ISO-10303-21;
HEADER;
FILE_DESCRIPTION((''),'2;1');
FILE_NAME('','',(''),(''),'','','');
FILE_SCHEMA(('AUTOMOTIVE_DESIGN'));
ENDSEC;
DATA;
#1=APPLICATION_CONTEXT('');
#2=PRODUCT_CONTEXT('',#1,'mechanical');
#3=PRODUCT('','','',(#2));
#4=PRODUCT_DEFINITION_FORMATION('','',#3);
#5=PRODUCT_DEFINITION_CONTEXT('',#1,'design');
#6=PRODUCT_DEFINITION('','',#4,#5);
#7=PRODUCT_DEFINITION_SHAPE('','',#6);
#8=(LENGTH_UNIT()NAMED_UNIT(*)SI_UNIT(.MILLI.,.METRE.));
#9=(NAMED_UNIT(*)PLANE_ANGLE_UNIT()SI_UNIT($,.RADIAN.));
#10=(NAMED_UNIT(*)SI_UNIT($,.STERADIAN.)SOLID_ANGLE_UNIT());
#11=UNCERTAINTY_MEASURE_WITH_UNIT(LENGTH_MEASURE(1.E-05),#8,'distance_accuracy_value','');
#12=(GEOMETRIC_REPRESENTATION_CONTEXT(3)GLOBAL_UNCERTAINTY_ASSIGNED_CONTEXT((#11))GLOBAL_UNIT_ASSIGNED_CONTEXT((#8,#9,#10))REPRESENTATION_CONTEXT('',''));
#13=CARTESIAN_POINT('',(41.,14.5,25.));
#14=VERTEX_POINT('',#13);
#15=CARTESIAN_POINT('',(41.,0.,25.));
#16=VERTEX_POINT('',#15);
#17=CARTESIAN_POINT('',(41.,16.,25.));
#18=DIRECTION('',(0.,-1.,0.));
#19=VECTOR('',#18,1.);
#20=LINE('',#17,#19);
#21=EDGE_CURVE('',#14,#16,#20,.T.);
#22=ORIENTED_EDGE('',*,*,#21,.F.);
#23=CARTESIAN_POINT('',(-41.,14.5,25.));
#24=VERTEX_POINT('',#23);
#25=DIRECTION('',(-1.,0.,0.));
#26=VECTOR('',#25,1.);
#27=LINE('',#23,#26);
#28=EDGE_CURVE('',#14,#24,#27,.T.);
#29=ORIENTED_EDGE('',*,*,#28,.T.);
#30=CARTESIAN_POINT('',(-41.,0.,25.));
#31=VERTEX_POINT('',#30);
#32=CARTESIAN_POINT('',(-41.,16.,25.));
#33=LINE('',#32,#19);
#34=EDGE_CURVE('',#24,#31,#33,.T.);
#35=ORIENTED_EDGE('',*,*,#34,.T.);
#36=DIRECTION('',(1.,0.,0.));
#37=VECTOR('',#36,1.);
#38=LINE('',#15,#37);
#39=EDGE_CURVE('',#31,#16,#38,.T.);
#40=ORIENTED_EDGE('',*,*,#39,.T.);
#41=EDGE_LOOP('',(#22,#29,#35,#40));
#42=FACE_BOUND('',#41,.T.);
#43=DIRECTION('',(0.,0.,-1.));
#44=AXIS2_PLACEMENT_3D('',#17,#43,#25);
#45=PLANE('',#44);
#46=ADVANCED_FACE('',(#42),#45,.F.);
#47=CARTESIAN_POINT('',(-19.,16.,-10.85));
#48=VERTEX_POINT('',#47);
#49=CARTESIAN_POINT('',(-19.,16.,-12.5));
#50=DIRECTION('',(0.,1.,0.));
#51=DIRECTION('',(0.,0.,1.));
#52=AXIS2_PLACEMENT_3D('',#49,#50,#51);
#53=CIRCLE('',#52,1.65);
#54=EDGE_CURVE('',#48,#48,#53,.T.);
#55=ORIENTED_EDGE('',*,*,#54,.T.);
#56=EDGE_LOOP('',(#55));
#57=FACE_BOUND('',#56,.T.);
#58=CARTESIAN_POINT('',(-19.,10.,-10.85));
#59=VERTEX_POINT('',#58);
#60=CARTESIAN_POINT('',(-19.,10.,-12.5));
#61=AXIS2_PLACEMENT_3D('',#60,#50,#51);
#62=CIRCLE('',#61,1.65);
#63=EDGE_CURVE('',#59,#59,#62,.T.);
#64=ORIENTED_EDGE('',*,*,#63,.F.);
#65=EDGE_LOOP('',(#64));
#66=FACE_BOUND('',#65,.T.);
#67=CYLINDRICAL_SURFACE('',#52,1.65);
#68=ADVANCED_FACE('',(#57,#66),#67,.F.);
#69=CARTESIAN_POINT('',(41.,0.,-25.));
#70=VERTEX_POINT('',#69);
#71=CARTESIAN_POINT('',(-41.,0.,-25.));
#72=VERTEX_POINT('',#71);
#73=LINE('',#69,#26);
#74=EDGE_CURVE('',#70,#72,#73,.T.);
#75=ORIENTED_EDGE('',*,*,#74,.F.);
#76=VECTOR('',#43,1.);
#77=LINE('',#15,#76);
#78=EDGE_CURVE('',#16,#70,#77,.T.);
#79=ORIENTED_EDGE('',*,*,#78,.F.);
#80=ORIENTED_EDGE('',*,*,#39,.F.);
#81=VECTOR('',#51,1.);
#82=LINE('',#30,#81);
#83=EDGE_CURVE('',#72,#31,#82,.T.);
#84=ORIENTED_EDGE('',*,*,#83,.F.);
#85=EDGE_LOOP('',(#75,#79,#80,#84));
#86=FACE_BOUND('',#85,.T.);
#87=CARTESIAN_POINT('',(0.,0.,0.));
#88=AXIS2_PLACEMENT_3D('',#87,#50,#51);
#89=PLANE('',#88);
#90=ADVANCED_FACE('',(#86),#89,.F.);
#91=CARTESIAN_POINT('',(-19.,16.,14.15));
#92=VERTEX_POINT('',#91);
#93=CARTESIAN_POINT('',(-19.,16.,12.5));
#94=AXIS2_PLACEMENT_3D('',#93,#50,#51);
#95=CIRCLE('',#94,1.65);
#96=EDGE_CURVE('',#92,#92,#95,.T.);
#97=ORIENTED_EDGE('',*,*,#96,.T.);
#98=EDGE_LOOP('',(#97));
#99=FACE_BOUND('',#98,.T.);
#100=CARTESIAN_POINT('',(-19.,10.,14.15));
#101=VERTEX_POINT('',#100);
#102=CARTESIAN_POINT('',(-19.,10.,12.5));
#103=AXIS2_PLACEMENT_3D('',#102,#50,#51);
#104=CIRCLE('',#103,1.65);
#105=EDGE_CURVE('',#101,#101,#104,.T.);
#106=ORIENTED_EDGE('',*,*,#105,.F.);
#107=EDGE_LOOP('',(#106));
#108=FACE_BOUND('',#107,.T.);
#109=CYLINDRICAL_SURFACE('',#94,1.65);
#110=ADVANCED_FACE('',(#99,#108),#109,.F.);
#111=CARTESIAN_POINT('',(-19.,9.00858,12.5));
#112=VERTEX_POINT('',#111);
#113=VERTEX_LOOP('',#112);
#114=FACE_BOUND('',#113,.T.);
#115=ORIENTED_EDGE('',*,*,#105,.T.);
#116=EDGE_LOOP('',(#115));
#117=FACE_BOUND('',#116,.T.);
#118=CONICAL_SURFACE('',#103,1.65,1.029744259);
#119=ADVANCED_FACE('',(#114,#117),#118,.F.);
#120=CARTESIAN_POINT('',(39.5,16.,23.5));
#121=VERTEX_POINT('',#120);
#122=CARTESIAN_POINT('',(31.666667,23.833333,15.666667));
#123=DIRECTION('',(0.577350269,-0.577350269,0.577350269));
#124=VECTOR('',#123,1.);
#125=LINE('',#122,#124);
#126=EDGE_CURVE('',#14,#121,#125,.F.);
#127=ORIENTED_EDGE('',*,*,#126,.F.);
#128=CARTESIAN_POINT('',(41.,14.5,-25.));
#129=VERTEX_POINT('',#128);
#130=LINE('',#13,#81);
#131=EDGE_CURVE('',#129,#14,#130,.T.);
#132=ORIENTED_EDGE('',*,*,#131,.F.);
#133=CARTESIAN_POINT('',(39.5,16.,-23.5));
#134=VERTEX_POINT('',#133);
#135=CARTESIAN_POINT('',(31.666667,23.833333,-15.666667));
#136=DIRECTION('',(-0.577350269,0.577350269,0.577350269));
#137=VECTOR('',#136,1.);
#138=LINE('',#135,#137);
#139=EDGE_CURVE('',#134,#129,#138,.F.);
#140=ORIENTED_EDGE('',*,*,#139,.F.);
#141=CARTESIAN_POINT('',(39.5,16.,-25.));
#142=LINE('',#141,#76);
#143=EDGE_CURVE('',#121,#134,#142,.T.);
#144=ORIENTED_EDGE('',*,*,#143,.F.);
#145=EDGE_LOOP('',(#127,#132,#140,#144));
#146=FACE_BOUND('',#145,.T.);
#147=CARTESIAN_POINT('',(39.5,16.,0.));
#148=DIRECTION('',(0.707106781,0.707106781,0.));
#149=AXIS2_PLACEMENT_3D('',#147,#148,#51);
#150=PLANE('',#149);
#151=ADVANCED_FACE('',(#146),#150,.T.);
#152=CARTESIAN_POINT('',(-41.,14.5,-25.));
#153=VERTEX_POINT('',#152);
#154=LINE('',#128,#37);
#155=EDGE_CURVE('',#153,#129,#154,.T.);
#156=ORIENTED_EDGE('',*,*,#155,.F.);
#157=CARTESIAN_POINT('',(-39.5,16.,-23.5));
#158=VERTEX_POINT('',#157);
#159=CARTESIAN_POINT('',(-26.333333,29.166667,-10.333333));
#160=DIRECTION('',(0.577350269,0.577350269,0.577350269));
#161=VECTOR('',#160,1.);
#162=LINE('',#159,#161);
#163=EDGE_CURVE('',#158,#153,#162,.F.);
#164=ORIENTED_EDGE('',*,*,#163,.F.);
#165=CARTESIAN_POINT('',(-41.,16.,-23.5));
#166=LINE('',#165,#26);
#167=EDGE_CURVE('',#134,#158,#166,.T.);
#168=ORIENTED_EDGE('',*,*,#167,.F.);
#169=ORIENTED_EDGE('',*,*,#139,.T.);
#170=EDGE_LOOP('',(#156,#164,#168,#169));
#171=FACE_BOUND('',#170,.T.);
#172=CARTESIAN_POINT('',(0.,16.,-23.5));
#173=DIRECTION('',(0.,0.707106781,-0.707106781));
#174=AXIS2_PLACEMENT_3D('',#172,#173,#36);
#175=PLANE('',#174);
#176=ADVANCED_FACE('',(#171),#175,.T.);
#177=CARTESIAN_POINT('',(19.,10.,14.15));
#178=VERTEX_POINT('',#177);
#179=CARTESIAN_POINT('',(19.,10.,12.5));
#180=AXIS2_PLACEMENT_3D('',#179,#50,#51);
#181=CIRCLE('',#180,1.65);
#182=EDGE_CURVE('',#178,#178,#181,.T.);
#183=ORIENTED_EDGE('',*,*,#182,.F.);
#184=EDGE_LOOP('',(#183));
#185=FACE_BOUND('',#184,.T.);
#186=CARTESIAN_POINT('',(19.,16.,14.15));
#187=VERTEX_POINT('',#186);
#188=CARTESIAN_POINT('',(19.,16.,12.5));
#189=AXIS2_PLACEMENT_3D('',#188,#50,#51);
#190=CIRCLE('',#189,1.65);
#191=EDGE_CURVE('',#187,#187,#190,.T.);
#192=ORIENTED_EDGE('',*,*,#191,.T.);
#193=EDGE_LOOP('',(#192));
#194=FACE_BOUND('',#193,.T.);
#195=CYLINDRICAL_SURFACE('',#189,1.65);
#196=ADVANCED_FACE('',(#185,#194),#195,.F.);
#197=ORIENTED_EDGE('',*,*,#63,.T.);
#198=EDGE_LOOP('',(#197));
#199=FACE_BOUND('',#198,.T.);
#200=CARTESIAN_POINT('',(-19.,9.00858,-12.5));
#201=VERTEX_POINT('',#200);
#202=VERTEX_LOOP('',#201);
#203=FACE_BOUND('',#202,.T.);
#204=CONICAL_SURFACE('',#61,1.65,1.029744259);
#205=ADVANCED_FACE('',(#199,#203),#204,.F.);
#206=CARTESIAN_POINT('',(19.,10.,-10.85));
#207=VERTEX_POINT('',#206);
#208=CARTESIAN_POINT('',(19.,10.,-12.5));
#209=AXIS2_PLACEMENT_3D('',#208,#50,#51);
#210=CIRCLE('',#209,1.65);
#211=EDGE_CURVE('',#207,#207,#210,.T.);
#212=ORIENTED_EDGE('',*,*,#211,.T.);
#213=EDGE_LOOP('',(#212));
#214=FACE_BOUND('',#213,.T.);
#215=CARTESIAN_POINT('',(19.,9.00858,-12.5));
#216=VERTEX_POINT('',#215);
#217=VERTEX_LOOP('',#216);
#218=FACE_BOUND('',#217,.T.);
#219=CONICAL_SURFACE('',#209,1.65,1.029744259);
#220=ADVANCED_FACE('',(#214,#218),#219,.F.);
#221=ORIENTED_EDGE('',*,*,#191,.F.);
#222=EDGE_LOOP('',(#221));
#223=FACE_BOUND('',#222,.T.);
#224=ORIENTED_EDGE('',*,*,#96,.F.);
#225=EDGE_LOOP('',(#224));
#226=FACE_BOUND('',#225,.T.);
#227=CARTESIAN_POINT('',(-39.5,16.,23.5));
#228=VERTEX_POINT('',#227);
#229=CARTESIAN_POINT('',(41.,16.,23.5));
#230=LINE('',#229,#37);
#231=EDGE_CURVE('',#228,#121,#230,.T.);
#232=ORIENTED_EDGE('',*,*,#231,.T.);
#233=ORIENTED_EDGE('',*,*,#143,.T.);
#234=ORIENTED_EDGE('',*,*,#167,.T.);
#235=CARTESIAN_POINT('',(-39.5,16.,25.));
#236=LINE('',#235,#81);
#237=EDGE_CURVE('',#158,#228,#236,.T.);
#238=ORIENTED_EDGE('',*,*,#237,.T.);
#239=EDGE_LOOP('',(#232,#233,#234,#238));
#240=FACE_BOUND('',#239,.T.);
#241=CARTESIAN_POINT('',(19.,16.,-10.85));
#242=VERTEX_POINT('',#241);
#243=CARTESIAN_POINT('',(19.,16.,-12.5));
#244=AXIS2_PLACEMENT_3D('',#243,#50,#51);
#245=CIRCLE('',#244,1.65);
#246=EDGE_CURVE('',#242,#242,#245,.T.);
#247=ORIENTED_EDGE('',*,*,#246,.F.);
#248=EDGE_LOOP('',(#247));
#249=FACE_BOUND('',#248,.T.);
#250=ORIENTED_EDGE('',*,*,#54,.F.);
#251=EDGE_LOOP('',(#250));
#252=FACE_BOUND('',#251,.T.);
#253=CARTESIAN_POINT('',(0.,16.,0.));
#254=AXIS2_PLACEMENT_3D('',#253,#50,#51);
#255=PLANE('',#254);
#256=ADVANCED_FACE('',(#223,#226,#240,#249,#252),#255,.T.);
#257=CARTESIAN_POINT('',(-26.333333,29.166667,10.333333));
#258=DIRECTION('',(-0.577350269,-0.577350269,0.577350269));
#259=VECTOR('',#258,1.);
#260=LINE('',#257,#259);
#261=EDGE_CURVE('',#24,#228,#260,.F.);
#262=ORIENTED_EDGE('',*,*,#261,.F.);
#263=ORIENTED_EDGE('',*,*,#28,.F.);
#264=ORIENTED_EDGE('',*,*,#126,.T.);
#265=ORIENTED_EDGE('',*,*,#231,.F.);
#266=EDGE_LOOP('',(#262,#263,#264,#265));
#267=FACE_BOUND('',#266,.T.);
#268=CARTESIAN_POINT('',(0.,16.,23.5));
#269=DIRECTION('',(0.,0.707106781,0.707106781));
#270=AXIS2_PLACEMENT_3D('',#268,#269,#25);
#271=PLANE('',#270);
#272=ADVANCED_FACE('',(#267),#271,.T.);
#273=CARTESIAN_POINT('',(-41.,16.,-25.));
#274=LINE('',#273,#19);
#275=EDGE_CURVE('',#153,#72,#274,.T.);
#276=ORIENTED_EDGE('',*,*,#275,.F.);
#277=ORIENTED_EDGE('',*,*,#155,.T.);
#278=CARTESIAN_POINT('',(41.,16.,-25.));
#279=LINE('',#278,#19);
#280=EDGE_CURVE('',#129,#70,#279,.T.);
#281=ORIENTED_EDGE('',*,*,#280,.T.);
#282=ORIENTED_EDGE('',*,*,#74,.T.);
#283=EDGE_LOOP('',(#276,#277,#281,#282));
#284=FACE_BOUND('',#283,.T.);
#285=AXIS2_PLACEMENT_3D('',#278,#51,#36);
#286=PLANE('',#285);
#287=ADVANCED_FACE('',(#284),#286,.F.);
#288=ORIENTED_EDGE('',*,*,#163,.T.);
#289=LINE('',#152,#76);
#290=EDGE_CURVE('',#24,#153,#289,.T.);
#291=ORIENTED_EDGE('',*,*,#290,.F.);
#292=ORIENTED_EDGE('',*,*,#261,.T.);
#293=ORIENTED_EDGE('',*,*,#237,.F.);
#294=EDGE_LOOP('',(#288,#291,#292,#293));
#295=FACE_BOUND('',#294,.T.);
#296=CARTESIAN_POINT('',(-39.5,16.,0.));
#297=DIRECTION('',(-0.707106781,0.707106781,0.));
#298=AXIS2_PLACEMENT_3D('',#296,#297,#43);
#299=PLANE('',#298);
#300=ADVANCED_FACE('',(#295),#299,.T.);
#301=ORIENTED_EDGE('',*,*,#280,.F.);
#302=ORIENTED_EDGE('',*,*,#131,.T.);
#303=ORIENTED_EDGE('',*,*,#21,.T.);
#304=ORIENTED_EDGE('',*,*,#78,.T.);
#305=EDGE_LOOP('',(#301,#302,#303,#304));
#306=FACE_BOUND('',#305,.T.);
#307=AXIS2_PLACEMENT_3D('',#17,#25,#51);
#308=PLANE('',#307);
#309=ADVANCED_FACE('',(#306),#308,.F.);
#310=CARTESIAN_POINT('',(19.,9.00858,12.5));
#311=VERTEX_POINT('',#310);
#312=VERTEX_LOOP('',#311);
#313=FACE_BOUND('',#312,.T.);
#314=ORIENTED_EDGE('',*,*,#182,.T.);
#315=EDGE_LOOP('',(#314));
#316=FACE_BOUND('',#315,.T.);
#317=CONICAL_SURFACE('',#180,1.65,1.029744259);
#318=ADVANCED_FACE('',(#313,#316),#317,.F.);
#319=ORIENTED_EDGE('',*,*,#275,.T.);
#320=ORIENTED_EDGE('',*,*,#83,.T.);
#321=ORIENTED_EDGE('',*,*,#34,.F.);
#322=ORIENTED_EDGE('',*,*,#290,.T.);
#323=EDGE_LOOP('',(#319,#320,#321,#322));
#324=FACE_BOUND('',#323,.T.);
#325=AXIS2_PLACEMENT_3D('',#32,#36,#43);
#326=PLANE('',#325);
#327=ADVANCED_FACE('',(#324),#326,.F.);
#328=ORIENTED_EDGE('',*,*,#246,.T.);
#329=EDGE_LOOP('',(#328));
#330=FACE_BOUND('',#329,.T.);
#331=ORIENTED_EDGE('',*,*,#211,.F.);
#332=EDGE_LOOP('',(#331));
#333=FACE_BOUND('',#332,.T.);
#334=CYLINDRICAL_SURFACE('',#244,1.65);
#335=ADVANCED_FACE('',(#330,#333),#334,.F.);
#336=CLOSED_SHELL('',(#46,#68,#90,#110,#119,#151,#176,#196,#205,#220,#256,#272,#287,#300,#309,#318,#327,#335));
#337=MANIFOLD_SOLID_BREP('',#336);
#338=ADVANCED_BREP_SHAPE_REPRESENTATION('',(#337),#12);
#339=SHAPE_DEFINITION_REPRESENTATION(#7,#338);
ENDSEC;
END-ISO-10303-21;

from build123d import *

# Parameters (mm, degrees)
SKETCH1_W             = 82
SKETCH1_H             = 50
BOSS_EXTRUDE1_DEPTH   = 16
CHAMFER1_SIZE         = 1.5
M4_TAPPED_HOLE1_D     = 3.3
M4_TAPPED_HOLE1_DEPTH = 6
M4_TAPPED_HOLE1_TIP   = 0.991420021


with BuildPart() as part:
    # Sketch1 → Boss-Extrude1 (new body)
    with BuildSketch(Plane(origin=(0, 0, 0), x_dir=(1, 0, 0), z_dir=(0, 1, 0))):
        Rectangle(SKETCH1_W, SKETCH1_H)
    extrude(amount=BOSS_EXTRUDE1_DEPTH)

    # Chamfer1
    chamfer1_edges = [part.edges().sort_by_distance(p)[0] for p in [
        (41, 16, 0),
        (0, 16, -25),
        (-41, 16, 0),
        (0, 16, 25),
    ]]
    chamfer(chamfer1_edges, length=CHAMFER1_SIZE)

    # M4 Tapped Hole1
    with Locations(Plane(origin=(0, 16, 0), x_dir=(1, 0, 0), z_dir=(0, 1, 0))):
        with Locations((-19, 12.5), (19, 12.5), (19, -12.5), (-19, -12.5)):
            Hole(M4_TAPPED_HOLE1_D / 2, depth=M4_TAPPED_HOLE1_DEPTH)
            with Locations((0, 0, -(M4_TAPPED_HOLE1_DEPTH + M4_TAPPED_HOLE1_TIP / 2))):  # 118° drill point
                Cone(0, M4_TAPPED_HOLE1_D / 2, M4_TAPPED_HOLE1_TIP, mode=Mode.SUBTRACT)


solid = part.part
